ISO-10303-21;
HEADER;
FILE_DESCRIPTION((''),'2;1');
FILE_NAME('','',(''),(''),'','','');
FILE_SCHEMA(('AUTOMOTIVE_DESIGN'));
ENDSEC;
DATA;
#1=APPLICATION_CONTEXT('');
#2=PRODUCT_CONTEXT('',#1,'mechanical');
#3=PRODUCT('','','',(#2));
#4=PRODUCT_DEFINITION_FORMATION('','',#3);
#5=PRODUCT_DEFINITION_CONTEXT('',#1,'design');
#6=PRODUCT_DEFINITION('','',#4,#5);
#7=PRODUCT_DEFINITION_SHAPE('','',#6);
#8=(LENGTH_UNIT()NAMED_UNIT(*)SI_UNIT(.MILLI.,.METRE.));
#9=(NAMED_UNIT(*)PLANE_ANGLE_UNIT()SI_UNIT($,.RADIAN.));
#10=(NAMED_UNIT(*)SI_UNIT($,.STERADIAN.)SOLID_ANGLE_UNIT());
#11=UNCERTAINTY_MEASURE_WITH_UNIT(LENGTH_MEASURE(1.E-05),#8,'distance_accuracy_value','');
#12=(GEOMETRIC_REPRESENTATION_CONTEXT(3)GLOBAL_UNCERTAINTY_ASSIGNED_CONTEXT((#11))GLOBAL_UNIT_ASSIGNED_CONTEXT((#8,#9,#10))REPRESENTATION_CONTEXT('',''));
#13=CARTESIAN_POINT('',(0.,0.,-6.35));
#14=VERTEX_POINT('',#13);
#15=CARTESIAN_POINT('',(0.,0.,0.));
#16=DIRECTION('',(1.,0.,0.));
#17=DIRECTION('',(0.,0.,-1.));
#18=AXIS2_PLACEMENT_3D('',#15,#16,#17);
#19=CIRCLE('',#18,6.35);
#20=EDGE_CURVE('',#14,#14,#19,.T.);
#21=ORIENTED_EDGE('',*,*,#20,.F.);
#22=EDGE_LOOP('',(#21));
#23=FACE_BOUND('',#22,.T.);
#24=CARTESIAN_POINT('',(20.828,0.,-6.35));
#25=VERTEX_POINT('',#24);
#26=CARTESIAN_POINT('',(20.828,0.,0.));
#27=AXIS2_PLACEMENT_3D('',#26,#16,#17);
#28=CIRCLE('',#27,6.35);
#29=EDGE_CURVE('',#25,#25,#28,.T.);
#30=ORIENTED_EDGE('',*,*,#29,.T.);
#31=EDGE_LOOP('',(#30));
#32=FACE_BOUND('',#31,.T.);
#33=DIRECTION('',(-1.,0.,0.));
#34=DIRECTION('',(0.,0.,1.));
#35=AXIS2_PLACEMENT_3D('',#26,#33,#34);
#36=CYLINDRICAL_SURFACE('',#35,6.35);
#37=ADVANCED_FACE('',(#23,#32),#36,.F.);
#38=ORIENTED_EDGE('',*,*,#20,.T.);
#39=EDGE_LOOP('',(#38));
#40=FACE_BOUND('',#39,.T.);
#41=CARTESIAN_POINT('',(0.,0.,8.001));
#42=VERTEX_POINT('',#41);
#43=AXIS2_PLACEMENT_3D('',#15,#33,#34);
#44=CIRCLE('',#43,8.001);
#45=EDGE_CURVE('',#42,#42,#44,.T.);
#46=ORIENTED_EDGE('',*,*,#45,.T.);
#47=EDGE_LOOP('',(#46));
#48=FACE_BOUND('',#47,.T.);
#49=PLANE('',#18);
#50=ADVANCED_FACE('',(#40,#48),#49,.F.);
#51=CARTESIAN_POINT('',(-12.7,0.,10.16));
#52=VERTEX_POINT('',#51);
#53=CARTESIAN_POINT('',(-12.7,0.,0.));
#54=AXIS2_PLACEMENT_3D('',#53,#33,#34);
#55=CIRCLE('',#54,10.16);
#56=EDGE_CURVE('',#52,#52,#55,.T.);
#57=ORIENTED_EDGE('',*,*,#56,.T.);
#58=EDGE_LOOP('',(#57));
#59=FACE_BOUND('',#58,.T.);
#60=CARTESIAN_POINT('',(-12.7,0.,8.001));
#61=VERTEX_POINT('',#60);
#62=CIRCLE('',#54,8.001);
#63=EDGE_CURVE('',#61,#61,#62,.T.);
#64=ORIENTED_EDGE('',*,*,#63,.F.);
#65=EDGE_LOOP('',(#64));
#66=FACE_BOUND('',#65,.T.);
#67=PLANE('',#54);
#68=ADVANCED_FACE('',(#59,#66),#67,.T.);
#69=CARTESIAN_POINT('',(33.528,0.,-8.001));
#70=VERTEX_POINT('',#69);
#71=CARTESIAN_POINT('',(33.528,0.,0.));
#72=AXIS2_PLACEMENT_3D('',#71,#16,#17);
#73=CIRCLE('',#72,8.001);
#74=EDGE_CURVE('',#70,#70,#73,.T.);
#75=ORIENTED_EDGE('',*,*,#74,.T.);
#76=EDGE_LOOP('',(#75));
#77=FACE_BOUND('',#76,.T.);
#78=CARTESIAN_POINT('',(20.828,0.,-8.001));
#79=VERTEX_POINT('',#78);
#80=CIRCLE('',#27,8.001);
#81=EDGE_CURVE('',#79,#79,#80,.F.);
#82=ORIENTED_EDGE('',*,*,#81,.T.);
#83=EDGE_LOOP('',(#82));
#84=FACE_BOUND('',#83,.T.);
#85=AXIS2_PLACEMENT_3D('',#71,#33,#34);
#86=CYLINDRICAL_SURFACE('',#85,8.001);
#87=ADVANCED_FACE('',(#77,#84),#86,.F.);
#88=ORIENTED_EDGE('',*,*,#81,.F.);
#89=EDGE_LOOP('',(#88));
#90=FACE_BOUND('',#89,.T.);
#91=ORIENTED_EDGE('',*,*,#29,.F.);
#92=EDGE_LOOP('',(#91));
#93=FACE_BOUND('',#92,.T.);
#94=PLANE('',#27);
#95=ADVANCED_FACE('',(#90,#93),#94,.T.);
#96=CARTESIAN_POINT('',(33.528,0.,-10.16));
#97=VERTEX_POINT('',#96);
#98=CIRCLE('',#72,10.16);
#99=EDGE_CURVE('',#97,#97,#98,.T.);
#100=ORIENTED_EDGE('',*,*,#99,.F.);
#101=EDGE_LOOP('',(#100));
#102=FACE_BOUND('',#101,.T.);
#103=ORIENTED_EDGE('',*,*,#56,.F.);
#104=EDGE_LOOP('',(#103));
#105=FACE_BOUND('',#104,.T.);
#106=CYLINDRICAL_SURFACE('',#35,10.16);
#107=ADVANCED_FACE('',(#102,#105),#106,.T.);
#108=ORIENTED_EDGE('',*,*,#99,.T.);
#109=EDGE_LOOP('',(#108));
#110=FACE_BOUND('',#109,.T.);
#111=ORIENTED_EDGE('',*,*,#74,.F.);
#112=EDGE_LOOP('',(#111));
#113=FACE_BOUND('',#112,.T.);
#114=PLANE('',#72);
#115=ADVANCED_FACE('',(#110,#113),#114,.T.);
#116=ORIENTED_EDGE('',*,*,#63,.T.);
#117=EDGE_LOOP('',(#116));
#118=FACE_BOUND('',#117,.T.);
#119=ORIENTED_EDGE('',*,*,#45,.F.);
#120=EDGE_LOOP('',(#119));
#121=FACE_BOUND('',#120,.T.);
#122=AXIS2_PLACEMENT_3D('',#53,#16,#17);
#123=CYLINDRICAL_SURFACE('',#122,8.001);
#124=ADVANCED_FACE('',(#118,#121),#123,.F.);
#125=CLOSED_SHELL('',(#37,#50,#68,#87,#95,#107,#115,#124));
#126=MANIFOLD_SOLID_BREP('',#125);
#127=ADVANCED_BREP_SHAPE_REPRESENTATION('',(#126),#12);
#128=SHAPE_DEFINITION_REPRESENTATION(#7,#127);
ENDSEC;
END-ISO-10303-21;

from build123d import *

# Parameters (mm, degrees)
SKETCH1_R           = 10.16
SKETCH1_R_2         = 6.35
BOSS_EXTRUDE2_DEPTH = 20.828
BOSS_EXTRUDE3_START = 12.7
SKETCH2_R           = 10.16
SKETCH2_R_2         = 8.001
BOSS_EXTRUDE3_DEPTH = 12.7
SKETCH3_R           = 10.16
SKETCH3_R_2         = 8.001
BOSS_EXTRUDE4_DEPTH = 12.7


with BuildPart() as part:
    # Sketch1 → Boss-Extrude2 (new body)
    with BuildSketch(Plane(origin=(0, 0, 0), x_dir=(0, 0, -1), z_dir=(1, 0, 0))):
        Circle(SKETCH1_R)
        Circle(SKETCH1_R_2, mode=Mode.SUBTRACT)
    extrude(amount=BOSS_EXTRUDE2_DEPTH)

    # Sketch2 → Boss-Extrude3 (add)
    with BuildSketch(Plane.ZY.offset(BOSS_EXTRUDE3_START)):
        Circle(SKETCH2_R)
        Circle(SKETCH2_R_2, mode=Mode.SUBTRACT)
    extrude(amount=-BOSS_EXTRUDE3_DEPTH)

    # Sketch3 → Boss-Extrude4 (add)
    with BuildSketch(Plane(origin=(20.828, 0, 0), x_dir=(0, 0, -1), z_dir=(1, 0, 0))):
        with Locations(Location((0, 0, 0), (0, 0, 180))):
            Circle(SKETCH3_R)
        with Locations(Location((0, 0, 0), (0, 0, 180))):
            Circle(SKETCH3_R_2, mode=Mode.SUBTRACT)
    extrude(amount=BOSS_EXTRUDE4_DEPTH)


solid = part.part
